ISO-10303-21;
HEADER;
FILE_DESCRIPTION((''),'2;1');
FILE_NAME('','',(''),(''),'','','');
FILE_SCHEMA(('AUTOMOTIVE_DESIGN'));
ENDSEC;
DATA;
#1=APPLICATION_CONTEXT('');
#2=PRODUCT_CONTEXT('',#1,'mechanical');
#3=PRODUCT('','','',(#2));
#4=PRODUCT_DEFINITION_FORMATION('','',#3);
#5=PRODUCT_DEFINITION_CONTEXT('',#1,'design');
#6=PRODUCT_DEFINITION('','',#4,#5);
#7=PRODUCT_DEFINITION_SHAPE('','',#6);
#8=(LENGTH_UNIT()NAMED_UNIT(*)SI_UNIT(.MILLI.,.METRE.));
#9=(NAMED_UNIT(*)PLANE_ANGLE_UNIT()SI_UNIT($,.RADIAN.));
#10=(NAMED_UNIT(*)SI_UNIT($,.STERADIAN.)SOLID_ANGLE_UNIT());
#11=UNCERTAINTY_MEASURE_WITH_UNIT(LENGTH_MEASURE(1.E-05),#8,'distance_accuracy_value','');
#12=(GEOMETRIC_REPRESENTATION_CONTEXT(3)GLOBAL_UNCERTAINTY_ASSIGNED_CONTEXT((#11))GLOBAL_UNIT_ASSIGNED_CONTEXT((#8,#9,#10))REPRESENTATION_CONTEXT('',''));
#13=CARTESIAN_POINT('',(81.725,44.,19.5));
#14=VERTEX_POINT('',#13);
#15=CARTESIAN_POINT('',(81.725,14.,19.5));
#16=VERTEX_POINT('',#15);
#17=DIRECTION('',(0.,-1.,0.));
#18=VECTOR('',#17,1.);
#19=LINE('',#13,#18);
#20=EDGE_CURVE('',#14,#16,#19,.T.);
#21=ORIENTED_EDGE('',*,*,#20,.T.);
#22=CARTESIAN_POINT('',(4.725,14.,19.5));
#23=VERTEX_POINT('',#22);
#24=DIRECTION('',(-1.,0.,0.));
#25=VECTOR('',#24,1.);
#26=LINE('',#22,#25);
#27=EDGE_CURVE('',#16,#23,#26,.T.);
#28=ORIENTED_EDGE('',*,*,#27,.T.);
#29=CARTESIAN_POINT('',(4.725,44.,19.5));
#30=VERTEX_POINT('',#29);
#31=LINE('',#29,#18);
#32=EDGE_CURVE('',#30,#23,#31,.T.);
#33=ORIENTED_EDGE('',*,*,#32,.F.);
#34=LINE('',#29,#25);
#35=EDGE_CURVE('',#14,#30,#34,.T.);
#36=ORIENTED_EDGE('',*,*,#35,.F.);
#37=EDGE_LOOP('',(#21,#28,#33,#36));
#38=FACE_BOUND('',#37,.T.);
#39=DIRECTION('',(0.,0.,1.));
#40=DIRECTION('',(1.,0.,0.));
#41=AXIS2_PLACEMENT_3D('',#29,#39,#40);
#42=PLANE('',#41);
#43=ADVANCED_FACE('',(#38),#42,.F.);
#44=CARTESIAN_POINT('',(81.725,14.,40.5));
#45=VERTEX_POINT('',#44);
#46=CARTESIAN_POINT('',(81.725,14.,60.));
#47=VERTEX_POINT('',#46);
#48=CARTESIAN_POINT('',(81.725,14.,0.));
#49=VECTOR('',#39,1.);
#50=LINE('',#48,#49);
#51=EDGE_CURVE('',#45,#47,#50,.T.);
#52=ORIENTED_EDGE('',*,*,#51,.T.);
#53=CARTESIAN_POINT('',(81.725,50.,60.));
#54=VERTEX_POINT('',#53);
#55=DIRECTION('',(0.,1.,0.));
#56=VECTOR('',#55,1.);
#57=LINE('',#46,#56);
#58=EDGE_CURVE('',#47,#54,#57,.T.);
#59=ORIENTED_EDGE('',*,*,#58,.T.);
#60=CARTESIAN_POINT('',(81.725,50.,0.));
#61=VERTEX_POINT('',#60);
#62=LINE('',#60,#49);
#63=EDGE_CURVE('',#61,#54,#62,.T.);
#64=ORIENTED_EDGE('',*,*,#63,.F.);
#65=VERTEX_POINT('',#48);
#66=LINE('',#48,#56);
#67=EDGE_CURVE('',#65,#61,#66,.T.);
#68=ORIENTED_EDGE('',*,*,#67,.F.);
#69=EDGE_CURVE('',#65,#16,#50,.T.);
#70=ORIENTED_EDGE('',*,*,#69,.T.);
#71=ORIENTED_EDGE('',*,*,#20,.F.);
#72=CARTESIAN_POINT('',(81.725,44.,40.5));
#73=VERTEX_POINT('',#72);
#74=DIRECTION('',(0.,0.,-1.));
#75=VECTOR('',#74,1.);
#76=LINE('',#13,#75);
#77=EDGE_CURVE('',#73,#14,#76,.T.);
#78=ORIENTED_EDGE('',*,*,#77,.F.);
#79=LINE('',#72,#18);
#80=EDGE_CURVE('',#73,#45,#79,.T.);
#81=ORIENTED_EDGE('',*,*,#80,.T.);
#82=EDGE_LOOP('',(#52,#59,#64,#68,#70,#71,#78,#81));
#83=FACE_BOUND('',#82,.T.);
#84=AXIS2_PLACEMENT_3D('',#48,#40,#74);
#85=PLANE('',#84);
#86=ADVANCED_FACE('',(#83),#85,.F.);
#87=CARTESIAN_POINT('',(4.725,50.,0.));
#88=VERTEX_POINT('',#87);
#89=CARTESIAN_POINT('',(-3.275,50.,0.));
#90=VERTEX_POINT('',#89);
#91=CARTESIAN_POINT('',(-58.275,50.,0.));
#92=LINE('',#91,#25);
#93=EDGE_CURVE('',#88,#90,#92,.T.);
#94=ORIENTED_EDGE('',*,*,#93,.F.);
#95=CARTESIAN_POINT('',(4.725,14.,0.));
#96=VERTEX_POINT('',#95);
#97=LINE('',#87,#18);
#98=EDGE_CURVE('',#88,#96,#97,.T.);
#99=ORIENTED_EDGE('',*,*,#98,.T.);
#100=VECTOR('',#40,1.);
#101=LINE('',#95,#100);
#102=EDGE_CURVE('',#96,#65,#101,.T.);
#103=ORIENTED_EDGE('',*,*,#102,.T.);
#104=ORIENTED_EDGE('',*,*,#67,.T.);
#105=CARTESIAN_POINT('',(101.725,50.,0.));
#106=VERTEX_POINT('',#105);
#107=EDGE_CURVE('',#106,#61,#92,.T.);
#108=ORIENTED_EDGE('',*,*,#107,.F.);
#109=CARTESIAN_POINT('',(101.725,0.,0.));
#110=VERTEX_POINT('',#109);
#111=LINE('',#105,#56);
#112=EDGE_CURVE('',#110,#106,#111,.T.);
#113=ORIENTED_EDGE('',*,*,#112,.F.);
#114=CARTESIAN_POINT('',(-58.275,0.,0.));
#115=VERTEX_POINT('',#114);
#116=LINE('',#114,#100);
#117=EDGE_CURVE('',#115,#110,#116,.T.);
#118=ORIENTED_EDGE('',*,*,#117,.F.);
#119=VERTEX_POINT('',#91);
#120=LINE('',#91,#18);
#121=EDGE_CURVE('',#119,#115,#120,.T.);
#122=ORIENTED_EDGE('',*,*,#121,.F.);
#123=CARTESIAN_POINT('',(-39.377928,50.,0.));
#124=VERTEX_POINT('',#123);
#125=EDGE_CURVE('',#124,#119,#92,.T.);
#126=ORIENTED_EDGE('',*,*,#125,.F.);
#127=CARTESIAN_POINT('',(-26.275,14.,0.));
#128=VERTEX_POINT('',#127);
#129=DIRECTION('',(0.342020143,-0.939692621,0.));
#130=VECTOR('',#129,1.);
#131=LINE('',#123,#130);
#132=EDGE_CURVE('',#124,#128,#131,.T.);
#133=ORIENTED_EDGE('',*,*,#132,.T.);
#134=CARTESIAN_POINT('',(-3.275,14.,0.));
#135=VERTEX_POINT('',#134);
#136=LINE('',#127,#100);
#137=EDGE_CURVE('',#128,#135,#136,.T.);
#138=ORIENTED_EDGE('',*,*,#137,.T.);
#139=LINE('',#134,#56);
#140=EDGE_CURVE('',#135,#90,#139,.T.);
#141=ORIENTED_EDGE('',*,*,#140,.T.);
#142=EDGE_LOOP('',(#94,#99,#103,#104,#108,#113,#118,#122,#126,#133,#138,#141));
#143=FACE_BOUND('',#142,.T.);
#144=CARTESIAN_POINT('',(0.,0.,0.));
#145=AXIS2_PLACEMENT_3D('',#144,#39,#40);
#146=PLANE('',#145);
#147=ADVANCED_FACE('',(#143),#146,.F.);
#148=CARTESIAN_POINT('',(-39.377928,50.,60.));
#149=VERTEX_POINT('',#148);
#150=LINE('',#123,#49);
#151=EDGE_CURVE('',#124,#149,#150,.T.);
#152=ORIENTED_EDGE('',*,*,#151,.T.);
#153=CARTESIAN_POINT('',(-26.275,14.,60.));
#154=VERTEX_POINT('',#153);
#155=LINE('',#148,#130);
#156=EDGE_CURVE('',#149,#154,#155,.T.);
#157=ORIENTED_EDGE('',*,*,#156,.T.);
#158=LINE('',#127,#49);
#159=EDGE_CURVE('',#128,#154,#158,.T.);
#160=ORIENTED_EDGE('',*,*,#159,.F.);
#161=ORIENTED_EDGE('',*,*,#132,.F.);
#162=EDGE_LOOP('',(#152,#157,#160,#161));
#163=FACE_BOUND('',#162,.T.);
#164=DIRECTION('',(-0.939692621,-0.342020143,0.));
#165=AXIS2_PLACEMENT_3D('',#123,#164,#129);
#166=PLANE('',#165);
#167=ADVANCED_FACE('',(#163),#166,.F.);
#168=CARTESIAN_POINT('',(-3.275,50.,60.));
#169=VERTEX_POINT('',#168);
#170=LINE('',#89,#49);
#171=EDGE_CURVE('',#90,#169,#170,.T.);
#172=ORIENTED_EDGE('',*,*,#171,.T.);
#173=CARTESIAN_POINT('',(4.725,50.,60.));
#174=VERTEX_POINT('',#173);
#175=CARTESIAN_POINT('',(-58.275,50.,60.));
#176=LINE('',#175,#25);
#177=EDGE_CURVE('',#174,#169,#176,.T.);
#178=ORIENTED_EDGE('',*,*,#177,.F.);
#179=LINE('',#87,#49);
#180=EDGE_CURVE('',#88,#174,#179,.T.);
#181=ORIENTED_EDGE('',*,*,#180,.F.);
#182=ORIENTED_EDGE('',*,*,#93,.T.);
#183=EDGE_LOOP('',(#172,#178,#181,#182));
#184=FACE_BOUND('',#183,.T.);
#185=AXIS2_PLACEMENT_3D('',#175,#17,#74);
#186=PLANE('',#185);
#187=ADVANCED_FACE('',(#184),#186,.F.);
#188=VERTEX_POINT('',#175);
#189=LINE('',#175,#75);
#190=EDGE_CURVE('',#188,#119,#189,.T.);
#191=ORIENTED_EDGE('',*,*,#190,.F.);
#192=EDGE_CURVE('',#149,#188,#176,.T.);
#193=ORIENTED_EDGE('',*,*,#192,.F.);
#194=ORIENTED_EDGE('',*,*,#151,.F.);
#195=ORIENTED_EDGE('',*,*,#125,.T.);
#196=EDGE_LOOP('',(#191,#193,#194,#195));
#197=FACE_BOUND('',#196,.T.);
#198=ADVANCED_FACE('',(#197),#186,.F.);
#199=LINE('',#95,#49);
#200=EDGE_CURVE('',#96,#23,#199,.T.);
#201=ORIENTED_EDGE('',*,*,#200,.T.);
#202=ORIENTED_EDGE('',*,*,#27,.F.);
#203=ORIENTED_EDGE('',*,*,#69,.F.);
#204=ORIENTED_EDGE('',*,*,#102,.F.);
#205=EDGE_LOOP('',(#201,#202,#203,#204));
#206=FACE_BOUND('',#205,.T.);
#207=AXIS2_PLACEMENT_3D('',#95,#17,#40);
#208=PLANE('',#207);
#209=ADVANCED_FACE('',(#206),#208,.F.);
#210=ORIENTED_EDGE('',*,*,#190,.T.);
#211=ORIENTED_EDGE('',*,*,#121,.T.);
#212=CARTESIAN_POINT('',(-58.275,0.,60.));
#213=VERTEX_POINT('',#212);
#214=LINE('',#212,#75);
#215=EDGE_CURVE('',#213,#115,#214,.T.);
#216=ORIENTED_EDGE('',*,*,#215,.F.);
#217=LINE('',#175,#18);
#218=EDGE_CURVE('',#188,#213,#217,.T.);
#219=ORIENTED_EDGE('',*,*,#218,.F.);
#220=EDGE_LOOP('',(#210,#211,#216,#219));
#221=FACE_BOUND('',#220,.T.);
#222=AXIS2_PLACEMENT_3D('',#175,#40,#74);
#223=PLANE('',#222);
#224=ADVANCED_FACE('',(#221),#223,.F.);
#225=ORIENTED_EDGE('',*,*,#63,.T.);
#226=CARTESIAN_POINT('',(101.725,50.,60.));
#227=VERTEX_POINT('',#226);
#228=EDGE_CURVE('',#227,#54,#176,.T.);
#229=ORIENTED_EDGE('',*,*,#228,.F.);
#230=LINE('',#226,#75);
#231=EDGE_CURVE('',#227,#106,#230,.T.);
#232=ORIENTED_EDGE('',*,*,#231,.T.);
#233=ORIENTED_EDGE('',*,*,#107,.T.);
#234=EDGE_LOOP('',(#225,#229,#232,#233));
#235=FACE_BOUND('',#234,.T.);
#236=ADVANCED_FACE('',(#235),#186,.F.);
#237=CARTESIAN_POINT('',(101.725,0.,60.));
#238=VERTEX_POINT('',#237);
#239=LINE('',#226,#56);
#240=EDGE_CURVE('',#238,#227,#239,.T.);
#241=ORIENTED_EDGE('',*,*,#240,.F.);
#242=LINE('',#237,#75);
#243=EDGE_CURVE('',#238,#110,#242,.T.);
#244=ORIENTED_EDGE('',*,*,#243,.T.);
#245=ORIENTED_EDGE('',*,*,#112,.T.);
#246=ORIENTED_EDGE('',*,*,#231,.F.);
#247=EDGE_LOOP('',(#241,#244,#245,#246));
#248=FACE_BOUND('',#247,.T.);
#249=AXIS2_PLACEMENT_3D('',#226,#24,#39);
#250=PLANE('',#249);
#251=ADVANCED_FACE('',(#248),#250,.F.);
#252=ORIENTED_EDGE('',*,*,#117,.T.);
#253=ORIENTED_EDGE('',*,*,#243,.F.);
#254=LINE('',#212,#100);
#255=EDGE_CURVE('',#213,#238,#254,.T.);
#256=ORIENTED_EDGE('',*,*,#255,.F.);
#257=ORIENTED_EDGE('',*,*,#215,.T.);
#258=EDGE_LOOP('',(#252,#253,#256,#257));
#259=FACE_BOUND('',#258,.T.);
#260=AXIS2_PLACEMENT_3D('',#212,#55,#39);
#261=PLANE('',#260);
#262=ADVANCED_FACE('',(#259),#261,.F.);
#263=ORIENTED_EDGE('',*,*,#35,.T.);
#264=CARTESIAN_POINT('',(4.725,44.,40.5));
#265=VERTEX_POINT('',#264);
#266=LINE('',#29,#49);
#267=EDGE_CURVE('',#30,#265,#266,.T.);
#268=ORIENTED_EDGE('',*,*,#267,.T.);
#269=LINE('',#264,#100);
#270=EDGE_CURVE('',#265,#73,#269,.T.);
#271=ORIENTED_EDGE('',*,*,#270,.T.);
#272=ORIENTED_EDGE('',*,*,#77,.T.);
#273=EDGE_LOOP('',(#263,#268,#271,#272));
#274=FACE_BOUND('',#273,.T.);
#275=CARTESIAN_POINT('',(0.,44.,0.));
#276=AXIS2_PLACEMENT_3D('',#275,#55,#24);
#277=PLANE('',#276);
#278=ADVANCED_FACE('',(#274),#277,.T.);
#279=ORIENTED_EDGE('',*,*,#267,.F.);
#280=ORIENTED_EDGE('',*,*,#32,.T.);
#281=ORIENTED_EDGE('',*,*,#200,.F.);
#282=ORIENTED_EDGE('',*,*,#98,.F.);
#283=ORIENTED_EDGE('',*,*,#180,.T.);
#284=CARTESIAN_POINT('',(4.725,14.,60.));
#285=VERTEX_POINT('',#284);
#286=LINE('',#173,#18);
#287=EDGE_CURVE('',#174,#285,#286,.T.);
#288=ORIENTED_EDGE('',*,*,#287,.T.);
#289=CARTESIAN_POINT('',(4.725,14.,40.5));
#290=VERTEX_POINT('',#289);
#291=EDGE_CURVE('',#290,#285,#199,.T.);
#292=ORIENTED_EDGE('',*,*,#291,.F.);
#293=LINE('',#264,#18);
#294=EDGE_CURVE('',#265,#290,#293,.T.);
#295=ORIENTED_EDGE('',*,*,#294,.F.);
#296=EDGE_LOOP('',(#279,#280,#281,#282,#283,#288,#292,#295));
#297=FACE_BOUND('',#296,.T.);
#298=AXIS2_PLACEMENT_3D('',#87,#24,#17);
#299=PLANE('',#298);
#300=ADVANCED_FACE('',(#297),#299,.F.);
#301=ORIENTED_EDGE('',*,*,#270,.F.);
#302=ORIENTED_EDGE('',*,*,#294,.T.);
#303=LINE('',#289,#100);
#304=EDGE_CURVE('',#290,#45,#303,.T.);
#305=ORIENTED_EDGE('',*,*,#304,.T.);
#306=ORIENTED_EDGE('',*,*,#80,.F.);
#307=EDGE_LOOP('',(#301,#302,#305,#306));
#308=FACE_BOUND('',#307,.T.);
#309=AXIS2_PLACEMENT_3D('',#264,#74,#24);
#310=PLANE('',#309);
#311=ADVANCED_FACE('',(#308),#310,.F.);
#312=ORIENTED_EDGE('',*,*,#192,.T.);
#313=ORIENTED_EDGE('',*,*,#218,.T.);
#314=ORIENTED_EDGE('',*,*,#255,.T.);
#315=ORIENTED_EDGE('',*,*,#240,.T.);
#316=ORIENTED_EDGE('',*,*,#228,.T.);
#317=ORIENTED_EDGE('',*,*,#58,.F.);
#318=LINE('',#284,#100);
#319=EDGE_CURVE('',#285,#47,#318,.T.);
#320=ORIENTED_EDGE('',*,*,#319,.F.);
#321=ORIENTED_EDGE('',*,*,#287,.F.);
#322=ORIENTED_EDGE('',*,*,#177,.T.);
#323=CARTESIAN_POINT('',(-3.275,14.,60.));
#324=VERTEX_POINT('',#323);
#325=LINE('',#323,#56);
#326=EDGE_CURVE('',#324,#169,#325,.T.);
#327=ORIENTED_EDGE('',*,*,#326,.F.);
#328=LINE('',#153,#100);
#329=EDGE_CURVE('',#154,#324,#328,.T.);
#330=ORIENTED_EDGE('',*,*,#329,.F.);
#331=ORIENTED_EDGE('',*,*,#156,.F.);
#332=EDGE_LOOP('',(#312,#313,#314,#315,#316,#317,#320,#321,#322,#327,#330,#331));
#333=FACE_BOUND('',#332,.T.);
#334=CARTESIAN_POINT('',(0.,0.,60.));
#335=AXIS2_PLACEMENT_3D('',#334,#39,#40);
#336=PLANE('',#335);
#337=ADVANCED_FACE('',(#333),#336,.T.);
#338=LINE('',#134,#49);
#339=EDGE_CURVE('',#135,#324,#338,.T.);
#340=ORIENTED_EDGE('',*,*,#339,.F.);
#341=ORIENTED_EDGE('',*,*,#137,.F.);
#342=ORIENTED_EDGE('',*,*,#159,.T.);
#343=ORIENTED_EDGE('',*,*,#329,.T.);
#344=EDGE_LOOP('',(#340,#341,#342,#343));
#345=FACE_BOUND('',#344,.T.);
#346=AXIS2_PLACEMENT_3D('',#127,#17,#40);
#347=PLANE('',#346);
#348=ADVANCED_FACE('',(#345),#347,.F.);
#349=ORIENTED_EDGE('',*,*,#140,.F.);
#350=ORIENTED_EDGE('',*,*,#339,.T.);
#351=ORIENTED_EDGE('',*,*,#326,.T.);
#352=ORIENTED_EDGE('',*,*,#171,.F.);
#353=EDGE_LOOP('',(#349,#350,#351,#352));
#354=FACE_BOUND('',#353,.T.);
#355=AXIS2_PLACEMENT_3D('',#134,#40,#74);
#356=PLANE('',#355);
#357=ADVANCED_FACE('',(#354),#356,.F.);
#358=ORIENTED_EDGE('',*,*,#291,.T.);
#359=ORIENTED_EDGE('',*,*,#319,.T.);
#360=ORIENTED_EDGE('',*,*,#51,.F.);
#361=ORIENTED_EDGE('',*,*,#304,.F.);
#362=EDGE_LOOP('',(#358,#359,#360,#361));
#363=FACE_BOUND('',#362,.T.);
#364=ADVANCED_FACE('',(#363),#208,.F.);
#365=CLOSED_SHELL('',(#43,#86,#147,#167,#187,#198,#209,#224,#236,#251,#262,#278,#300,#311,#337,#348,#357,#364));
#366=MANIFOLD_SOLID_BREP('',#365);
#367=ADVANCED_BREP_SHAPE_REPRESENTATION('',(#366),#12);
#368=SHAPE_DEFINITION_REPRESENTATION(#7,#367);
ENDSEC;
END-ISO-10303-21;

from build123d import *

# Parameters (mm, degrees)
SKETCH2_W           = 160
SKETCH2_H           = 50
BOSS_EXTRUDE1_DEPTH = 60
CUT_EXTRUDE1_DEPTH  = 61
SKETCH4_W           = 77
SKETCH4_H           = 36
CUT_EXTRUDE3_DEPTH  = 61
SKETCH9_W           = 77
SKETCH9_H           = 21
BOSS_EXTRUDE4_DEPTH = 30


with BuildPart() as part:
    # Sketch2 → Boss-Extrude1 (new body)
    with BuildSketch(Plane.XY):
        with Locations((21.725, 25)):
            Rectangle(SKETCH2_W, SKETCH2_H)
    extrude(amount=BOSS_EXTRUDE1_DEPTH)

    # Sketch3 → Cut-Extrude1 (cut, through all)
    with BuildSketch(Plane.XY.offset(60)):
        Polygon((-39.377928434, 50), (-26.275, 14), (-3.275, 14), (-3.275, 50), align=None)
    extrude(amount=-CUT_EXTRUDE1_DEPTH, mode=Mode.SUBTRACT)

    # Sketch4 → Cut-Extrude3 (cut, through all)
    with BuildSketch(Plane.XY.offset(60)):
        with Locations((43.225, 32)):
            Rectangle(SKETCH4_W, SKETCH4_H)
    extrude(amount=-CUT_EXTRUDE3_DEPTH, mode=Mode.SUBTRACT)

    # Sketch9 → Boss-Extrude4 (add)
    with BuildSketch(Plane(origin=(0, 14, 0), x_dir=(1, 0, 0), z_dir=(0, 1, 0))):
        with Locations((43.225, -30)):
            Rectangle(SKETCH9_W, SKETCH9_H)
    extrude(amount=BOSS_EXTRUDE4_DEPTH)


solid = part.part
